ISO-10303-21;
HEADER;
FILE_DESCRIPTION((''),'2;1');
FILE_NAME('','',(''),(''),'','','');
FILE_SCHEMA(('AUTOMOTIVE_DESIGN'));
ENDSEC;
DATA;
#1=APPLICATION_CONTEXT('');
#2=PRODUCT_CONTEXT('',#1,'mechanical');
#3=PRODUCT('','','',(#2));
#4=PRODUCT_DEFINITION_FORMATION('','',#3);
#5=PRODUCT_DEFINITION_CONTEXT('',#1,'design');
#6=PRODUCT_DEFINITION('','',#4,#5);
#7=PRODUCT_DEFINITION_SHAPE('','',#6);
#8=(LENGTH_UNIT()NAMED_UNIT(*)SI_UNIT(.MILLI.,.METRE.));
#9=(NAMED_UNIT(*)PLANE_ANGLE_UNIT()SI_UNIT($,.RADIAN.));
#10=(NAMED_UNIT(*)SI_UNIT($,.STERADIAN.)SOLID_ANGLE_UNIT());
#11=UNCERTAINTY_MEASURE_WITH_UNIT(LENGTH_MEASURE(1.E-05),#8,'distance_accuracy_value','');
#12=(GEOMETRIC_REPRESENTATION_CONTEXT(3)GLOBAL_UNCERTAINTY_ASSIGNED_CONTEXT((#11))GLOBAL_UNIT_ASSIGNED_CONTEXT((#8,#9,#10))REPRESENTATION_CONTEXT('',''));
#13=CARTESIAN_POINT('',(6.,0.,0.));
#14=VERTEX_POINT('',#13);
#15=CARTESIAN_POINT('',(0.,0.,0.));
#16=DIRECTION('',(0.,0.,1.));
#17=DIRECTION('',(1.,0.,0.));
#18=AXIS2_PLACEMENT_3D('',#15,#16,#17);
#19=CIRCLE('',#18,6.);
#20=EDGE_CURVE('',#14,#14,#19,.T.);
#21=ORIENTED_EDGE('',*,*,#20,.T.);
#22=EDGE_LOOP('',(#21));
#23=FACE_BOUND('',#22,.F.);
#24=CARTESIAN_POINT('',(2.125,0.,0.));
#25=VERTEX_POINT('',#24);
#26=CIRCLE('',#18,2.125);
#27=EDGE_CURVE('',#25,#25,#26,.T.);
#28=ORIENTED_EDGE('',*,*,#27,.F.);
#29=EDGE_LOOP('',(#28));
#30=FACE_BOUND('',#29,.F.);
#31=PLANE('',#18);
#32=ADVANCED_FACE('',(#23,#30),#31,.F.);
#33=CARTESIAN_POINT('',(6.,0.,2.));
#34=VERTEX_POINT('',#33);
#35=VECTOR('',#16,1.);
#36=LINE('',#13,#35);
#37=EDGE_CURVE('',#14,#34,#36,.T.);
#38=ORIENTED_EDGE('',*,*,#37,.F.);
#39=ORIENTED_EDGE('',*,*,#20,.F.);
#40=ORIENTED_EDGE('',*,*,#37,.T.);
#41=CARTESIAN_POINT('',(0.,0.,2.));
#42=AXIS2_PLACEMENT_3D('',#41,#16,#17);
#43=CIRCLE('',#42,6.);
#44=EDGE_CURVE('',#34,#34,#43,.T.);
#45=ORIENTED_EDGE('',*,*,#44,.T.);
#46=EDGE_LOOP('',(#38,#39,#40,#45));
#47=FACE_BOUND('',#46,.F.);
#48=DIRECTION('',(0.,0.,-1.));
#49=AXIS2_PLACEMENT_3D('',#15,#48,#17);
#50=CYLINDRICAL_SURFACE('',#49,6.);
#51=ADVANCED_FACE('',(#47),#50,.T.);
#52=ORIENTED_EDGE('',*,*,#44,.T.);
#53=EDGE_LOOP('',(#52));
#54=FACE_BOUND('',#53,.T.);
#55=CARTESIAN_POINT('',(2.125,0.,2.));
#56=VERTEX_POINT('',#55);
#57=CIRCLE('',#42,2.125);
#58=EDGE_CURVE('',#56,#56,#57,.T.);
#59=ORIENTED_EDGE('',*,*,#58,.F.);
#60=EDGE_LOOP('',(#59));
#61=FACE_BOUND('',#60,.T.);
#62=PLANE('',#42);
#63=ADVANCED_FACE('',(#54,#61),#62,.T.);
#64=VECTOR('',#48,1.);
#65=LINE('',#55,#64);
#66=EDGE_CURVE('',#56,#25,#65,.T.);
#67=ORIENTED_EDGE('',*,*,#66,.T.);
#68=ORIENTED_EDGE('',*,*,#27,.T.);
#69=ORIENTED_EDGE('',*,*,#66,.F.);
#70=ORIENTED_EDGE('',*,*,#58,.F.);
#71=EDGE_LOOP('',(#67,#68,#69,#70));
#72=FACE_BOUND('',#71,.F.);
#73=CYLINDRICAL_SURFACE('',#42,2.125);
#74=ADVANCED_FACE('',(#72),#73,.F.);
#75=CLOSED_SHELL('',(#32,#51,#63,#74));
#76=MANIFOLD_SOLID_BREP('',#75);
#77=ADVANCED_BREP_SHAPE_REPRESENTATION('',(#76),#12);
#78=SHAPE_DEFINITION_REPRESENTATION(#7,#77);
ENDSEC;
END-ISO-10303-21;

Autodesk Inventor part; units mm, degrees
ref_plane "YZ Plane" through (0, 0, 0) normal (1, 0, 0) x (0, 1, 0)
ref_plane "XZ Plane" through (0, 0, 0) normal (0, 1, 0) x (-1, 0, 0)
ref_plane "XY Plane" through (0, 0, 0) normal (0, 0, 1) x (1, 0, 0)
sketch "スケッチ1" plane through (0, 0, 0) normal (0, 0, 1) x (1, 0, 0)
  circle A0 centre (0, 0) radius 2.1
  circle A1 centre (0, 0) radius 6
  dimension "d0" = 4.2
  dimension "d1" = 12
extrude "押し出し1" add sketch "スケッチ1" along normal blind 2
sketch "스케치2" plane through (0, 0, 2) normal (0, 0, 1) x (1, 0, 0)
  circle A0 centre (0, 0) radius 6 projected
  circle A1 centre (0, 0) radius 2.1 projected
  circle A2 centre (0, 0) radius 2.125
  dimension "d4" = 4.25
extrude "돌출2" cut sketch "스케치2" against normal through all contours A1 | A2
properties part number "C-WSSA12-4-2" material "ステンレス鋼 AISI 304"
